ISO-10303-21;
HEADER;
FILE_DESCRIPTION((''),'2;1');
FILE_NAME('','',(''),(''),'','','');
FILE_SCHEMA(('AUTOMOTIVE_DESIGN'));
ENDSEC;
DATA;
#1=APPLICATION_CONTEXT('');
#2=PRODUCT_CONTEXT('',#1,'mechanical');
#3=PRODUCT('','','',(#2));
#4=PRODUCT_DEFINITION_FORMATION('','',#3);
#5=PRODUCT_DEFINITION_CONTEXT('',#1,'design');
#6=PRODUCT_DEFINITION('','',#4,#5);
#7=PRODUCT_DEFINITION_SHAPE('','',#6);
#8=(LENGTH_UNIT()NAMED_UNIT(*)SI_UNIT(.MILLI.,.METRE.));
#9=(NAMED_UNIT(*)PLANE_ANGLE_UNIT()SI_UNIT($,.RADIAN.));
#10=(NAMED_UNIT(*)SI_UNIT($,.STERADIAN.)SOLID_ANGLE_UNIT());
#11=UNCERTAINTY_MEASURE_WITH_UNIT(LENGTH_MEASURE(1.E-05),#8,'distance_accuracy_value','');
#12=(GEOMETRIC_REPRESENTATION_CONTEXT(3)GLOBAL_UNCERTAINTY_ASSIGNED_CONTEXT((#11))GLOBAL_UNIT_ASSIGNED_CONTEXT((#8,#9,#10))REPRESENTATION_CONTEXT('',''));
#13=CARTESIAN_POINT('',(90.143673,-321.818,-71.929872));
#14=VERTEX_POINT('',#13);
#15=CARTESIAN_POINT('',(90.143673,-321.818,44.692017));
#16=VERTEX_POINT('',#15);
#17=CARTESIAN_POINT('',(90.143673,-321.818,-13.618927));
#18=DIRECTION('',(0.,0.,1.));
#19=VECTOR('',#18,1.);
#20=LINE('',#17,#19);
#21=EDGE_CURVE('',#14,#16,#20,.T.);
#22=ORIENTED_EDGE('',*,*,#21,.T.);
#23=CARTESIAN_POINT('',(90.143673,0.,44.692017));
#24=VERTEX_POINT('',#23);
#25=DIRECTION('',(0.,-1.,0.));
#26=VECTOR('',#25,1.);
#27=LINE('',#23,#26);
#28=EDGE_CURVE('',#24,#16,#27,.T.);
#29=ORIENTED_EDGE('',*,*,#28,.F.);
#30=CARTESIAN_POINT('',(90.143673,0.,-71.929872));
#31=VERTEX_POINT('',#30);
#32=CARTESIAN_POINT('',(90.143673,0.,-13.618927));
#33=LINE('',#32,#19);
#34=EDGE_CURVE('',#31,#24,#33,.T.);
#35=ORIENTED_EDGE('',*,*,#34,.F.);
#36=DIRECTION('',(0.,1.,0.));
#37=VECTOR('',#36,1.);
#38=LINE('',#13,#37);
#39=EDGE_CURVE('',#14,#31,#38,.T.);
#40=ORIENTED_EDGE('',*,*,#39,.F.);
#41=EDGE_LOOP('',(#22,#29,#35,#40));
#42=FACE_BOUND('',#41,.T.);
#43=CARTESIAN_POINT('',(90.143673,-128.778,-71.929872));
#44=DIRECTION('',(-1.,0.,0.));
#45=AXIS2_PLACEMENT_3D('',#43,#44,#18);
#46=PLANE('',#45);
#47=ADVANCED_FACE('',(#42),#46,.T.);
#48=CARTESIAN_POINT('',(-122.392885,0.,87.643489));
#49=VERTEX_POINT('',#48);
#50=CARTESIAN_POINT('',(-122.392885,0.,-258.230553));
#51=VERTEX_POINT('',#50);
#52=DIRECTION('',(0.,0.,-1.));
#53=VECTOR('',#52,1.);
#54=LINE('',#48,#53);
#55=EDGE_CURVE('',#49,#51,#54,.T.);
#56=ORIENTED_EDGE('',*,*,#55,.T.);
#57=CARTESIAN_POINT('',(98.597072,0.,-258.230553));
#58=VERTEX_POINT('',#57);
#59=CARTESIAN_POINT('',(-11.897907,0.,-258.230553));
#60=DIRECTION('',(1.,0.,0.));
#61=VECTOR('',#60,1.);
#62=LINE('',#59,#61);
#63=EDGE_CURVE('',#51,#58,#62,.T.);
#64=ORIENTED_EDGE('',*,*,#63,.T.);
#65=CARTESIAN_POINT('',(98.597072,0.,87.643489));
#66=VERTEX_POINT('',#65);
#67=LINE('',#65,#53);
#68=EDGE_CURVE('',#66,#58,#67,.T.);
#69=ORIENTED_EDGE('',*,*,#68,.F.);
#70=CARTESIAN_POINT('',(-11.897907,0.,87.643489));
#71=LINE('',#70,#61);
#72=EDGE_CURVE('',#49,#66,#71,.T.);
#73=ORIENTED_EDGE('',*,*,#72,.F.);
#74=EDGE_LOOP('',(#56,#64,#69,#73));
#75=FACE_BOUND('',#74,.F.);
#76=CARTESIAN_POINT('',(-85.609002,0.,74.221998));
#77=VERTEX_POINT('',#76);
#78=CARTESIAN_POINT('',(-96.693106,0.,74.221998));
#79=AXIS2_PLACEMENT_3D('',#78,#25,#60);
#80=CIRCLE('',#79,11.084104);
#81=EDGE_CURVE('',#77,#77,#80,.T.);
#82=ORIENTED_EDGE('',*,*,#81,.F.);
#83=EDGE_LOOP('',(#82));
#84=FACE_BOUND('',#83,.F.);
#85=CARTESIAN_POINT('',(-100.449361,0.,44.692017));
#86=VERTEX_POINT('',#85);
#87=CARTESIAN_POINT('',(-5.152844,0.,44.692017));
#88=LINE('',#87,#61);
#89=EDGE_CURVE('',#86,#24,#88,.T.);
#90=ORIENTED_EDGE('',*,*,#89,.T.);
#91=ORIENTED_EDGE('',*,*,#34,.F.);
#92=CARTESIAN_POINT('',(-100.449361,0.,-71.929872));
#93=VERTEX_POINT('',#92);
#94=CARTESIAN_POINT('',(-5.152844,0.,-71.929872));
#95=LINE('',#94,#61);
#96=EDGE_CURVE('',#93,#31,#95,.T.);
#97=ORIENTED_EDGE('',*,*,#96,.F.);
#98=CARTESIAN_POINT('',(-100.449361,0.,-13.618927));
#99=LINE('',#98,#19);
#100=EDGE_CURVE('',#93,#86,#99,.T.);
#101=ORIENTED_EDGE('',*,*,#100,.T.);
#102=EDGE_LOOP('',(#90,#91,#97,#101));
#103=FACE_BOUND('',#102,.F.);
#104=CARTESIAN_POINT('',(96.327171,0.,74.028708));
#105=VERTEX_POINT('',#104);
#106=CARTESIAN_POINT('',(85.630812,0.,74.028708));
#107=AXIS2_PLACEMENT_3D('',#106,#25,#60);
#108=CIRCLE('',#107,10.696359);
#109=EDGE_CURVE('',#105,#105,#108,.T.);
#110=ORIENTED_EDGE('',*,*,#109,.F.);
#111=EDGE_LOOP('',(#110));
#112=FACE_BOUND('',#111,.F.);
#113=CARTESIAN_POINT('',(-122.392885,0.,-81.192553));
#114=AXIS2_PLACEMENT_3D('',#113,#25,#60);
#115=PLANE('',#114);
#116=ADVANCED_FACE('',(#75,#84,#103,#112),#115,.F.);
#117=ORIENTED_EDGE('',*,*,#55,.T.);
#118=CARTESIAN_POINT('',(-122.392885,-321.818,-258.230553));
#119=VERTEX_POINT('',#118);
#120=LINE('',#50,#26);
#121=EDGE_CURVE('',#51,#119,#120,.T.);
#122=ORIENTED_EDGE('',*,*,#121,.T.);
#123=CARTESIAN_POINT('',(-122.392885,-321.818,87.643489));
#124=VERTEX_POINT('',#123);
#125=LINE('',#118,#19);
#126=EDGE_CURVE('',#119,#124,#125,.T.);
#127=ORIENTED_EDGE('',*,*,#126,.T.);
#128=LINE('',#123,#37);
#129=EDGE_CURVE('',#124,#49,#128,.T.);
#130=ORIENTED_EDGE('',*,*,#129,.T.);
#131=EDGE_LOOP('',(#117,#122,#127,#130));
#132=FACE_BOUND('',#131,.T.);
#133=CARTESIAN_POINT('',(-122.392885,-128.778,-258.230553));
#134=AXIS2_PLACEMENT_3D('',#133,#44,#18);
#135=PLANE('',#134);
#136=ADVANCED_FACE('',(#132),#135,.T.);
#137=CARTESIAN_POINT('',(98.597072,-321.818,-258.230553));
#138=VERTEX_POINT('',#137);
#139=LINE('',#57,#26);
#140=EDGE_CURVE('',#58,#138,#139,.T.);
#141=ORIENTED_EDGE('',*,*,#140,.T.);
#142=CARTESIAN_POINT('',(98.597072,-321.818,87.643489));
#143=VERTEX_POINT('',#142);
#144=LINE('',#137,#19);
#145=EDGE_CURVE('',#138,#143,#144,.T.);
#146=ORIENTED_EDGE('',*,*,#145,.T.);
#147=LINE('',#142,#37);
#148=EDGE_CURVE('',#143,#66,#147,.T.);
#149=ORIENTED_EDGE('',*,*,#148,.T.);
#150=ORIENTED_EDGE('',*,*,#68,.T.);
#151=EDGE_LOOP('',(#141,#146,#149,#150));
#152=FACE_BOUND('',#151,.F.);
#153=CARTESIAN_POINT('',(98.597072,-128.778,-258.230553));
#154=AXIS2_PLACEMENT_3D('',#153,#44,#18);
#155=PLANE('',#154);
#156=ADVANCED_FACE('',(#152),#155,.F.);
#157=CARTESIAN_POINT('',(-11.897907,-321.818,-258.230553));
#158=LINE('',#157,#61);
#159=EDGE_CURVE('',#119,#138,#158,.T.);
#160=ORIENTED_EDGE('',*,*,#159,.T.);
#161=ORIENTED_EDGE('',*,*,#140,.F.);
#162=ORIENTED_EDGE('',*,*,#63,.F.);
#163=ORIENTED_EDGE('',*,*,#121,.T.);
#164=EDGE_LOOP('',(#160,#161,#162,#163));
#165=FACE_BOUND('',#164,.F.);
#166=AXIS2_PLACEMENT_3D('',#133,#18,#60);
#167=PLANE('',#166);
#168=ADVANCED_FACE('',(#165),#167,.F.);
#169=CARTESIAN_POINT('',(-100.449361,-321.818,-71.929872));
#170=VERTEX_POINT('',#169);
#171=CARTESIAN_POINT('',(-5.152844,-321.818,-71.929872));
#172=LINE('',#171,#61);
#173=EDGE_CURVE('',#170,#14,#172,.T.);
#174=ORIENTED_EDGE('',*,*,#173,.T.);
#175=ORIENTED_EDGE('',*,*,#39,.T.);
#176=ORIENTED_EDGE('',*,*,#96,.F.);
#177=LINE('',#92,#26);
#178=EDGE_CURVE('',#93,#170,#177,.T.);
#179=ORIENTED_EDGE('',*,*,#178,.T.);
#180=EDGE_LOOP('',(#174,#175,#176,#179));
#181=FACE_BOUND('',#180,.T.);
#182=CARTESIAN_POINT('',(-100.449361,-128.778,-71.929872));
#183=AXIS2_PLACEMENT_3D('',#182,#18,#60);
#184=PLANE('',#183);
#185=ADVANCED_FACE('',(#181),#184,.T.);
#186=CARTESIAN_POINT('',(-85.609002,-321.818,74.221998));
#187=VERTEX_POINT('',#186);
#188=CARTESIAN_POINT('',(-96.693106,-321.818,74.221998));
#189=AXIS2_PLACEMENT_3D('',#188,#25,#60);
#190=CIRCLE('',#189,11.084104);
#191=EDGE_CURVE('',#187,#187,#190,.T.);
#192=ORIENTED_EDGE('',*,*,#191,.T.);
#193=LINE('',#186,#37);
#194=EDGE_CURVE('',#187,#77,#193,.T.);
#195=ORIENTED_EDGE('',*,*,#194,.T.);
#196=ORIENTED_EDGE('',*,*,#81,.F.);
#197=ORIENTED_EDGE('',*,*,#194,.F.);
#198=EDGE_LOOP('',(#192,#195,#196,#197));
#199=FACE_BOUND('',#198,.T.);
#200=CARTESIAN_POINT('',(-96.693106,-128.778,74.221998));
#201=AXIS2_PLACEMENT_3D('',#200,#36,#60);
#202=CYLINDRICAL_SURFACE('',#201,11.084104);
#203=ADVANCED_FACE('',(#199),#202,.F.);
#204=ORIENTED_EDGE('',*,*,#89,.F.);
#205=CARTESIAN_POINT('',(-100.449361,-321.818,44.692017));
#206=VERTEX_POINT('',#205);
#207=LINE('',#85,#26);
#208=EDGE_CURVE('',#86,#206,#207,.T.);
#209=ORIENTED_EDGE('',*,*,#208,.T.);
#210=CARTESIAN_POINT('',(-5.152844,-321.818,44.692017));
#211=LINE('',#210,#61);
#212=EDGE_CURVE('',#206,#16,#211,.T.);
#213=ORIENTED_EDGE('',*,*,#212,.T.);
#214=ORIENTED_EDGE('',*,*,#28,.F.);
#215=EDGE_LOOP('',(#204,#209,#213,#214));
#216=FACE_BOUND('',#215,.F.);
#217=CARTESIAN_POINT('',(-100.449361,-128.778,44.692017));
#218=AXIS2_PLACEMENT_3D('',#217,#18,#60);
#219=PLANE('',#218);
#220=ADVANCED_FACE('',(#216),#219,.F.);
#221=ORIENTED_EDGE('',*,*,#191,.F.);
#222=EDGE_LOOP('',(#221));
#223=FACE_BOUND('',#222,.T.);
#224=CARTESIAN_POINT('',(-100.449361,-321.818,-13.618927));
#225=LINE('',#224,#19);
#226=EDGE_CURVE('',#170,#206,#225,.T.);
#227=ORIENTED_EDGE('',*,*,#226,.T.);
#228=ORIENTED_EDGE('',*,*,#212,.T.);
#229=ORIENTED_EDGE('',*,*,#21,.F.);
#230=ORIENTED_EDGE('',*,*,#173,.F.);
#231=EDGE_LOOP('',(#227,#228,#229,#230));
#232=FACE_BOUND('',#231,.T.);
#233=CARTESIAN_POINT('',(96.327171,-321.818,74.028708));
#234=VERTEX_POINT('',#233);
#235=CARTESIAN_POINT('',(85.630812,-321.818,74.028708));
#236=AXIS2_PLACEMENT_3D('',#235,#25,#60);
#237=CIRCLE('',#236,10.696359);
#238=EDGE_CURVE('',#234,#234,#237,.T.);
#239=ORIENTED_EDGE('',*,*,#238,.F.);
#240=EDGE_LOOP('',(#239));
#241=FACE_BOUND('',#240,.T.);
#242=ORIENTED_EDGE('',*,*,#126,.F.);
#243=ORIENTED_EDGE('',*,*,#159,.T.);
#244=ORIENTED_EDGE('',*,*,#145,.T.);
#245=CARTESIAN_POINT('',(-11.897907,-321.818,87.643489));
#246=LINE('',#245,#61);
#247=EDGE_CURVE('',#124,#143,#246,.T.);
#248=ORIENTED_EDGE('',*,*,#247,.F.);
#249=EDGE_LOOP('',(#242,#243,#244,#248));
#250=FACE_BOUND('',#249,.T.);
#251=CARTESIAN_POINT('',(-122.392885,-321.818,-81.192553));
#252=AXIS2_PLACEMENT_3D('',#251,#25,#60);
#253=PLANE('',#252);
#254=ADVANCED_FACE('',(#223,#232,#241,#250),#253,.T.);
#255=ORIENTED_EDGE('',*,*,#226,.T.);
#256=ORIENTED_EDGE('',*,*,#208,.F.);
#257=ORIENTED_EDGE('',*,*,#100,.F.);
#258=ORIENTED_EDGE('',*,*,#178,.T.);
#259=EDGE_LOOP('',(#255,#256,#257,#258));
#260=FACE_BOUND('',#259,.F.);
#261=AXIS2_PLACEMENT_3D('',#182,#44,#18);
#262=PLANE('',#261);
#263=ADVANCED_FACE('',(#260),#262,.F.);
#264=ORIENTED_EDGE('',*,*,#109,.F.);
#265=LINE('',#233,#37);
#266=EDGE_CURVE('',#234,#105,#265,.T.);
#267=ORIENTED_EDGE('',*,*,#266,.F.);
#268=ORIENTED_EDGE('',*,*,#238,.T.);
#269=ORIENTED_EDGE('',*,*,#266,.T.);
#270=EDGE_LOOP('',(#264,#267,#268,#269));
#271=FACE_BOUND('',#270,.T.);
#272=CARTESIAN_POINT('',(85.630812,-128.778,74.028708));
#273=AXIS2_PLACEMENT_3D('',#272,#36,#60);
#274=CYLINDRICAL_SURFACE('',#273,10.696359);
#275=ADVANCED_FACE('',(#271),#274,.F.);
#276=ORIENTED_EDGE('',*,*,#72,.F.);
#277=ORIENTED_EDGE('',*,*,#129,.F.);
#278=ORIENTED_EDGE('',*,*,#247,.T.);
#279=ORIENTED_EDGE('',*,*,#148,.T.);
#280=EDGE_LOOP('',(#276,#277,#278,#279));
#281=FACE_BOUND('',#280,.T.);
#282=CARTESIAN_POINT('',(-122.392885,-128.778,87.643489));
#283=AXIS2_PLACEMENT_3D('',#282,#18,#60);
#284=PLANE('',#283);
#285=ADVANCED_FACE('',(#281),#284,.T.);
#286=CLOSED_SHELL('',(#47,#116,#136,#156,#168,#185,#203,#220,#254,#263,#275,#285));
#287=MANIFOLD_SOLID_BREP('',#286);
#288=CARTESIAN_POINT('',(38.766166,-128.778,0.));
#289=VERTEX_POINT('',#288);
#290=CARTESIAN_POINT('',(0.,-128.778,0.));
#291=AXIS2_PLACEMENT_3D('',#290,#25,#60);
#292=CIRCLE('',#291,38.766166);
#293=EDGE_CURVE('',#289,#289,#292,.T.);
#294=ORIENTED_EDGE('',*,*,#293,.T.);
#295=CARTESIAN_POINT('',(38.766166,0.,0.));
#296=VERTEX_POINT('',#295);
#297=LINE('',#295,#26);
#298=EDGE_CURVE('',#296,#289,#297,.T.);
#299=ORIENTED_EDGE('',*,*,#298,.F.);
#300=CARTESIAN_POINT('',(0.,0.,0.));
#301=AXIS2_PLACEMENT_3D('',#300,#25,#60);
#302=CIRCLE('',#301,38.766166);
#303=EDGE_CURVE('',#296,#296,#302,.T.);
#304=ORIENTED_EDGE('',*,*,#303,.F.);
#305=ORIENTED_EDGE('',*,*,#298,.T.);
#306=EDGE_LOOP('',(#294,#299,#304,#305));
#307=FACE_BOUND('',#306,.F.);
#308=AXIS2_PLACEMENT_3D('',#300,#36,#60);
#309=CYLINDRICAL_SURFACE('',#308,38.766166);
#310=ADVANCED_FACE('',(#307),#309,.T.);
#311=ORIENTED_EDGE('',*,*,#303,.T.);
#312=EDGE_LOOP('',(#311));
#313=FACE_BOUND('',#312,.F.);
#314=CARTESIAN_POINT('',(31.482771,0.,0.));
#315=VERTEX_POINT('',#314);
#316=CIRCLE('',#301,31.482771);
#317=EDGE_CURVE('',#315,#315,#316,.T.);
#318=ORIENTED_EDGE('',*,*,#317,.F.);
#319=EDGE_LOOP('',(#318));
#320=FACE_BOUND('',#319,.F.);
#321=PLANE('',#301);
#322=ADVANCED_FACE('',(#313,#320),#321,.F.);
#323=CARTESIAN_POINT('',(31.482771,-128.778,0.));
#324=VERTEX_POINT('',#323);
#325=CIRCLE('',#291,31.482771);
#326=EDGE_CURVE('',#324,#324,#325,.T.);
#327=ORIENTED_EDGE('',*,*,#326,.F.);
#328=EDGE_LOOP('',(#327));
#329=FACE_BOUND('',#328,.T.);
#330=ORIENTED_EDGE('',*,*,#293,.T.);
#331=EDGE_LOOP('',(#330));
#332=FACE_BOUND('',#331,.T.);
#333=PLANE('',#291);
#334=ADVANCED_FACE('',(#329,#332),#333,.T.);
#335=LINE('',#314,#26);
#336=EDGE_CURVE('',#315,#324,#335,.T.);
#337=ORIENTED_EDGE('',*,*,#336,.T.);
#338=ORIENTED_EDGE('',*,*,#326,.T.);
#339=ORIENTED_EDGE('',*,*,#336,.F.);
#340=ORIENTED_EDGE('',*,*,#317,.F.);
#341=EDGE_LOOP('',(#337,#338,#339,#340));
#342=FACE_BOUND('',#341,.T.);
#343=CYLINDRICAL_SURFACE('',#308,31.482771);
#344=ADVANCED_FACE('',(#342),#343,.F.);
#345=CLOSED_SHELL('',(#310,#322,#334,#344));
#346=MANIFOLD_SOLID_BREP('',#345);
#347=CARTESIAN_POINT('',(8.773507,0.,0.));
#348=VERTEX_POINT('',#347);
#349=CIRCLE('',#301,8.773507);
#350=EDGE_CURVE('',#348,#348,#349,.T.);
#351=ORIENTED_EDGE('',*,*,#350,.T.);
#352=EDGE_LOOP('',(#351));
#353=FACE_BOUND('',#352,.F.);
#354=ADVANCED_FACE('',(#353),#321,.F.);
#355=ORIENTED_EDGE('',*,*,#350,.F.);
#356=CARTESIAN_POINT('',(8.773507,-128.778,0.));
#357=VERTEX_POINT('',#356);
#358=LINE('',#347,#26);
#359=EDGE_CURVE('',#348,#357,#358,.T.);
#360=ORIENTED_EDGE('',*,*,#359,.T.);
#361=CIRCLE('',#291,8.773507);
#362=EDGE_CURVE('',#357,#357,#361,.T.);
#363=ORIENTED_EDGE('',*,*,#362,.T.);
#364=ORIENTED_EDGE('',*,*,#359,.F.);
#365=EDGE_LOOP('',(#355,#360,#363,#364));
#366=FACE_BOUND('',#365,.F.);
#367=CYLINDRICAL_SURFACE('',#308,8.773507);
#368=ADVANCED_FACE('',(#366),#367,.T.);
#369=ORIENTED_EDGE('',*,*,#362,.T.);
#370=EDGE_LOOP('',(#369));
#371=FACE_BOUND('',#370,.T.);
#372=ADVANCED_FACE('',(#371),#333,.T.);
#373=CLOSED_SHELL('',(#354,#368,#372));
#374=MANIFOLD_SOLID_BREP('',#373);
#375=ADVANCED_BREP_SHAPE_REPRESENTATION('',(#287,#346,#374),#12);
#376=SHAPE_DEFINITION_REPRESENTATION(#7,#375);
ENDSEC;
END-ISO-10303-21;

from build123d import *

# Parameters (mm, degrees)
F0_W     = 220.9899574518
F0_H     = 131.3110403717
F0_W_2   = 190.593034029
F0_H_2   = 116.621889174
F0_H_3   = 37.5250019133
F0_R     = 11.0841041045
F0_R_2   = 10.6963594921
F1_DEPTH = 128.778
F0_R_3   = 38.7661660701
F0_R_4   = 31.4827713073
F0_R_5   = 8.7735073829
F2_DEPTH = 177.038
F3_DEPTH = 193.04


with BuildPart() as f1:
    # F0 (on Front) → F1 (new body)
    with BuildSketch(Plane.XZ):
        with Locations((-11.897906661, -15.5370328575)):
            Rectangle(F0_W, F0_H)
        with Locations((-5.1528438926, -13.618927449)):
            Rectangle(F0_W_2, F0_H_2, mode=Mode.SUBTRACT)
        with Locations((-11.897906661, 68.8809882849)):
            Rectangle(F0_W, F0_H_3)
        with Locations((-96.6931059957, 74.2219984531)):
            Circle(F0_R, mode=Mode.SUBTRACT)
        with Locations((85.6308117509, 74.0287080407)):
            Circle(F0_R_2, mode=Mode.SUBTRACT)
    extrude(amount=F1_DEPTH)

    # F2 (add): a face of the model
    f2_faces = [f1.faces().sort_by_distance(p)[0] for p in [
        (-11.897906661, -64.389, -81.1925530434),
    ]]
    extrude(f2_faces, amount=F2_DEPTH)

    # F3 (add): a face of the model
    f3_faces = [f1.faces().sort_by_distance(p)[0] for p in [
        (-14.7457593818, -128.778, -117.3157060227),
    ]]
    extrude(f3_faces, amount=F3_DEPTH)


with BuildPart() as f1b:
    # F0 (on Front) → F1, piece 2 (new body)
    with BuildSketch(Plane.XZ):
        Circle(F0_R_3)
        Circle(F0_R_4, mode=Mode.SUBTRACT)
    extrude(amount=F1_DEPTH)


with BuildPart() as f1c:
    # F0 (on Front) → F1, piece 3 (new body)
    with BuildSketch(Plane.XZ):
        Circle(F0_R_5)
    extrude(amount=F1_DEPTH)


solid = Compound([f1.part, f1b.part, f1c.part])
